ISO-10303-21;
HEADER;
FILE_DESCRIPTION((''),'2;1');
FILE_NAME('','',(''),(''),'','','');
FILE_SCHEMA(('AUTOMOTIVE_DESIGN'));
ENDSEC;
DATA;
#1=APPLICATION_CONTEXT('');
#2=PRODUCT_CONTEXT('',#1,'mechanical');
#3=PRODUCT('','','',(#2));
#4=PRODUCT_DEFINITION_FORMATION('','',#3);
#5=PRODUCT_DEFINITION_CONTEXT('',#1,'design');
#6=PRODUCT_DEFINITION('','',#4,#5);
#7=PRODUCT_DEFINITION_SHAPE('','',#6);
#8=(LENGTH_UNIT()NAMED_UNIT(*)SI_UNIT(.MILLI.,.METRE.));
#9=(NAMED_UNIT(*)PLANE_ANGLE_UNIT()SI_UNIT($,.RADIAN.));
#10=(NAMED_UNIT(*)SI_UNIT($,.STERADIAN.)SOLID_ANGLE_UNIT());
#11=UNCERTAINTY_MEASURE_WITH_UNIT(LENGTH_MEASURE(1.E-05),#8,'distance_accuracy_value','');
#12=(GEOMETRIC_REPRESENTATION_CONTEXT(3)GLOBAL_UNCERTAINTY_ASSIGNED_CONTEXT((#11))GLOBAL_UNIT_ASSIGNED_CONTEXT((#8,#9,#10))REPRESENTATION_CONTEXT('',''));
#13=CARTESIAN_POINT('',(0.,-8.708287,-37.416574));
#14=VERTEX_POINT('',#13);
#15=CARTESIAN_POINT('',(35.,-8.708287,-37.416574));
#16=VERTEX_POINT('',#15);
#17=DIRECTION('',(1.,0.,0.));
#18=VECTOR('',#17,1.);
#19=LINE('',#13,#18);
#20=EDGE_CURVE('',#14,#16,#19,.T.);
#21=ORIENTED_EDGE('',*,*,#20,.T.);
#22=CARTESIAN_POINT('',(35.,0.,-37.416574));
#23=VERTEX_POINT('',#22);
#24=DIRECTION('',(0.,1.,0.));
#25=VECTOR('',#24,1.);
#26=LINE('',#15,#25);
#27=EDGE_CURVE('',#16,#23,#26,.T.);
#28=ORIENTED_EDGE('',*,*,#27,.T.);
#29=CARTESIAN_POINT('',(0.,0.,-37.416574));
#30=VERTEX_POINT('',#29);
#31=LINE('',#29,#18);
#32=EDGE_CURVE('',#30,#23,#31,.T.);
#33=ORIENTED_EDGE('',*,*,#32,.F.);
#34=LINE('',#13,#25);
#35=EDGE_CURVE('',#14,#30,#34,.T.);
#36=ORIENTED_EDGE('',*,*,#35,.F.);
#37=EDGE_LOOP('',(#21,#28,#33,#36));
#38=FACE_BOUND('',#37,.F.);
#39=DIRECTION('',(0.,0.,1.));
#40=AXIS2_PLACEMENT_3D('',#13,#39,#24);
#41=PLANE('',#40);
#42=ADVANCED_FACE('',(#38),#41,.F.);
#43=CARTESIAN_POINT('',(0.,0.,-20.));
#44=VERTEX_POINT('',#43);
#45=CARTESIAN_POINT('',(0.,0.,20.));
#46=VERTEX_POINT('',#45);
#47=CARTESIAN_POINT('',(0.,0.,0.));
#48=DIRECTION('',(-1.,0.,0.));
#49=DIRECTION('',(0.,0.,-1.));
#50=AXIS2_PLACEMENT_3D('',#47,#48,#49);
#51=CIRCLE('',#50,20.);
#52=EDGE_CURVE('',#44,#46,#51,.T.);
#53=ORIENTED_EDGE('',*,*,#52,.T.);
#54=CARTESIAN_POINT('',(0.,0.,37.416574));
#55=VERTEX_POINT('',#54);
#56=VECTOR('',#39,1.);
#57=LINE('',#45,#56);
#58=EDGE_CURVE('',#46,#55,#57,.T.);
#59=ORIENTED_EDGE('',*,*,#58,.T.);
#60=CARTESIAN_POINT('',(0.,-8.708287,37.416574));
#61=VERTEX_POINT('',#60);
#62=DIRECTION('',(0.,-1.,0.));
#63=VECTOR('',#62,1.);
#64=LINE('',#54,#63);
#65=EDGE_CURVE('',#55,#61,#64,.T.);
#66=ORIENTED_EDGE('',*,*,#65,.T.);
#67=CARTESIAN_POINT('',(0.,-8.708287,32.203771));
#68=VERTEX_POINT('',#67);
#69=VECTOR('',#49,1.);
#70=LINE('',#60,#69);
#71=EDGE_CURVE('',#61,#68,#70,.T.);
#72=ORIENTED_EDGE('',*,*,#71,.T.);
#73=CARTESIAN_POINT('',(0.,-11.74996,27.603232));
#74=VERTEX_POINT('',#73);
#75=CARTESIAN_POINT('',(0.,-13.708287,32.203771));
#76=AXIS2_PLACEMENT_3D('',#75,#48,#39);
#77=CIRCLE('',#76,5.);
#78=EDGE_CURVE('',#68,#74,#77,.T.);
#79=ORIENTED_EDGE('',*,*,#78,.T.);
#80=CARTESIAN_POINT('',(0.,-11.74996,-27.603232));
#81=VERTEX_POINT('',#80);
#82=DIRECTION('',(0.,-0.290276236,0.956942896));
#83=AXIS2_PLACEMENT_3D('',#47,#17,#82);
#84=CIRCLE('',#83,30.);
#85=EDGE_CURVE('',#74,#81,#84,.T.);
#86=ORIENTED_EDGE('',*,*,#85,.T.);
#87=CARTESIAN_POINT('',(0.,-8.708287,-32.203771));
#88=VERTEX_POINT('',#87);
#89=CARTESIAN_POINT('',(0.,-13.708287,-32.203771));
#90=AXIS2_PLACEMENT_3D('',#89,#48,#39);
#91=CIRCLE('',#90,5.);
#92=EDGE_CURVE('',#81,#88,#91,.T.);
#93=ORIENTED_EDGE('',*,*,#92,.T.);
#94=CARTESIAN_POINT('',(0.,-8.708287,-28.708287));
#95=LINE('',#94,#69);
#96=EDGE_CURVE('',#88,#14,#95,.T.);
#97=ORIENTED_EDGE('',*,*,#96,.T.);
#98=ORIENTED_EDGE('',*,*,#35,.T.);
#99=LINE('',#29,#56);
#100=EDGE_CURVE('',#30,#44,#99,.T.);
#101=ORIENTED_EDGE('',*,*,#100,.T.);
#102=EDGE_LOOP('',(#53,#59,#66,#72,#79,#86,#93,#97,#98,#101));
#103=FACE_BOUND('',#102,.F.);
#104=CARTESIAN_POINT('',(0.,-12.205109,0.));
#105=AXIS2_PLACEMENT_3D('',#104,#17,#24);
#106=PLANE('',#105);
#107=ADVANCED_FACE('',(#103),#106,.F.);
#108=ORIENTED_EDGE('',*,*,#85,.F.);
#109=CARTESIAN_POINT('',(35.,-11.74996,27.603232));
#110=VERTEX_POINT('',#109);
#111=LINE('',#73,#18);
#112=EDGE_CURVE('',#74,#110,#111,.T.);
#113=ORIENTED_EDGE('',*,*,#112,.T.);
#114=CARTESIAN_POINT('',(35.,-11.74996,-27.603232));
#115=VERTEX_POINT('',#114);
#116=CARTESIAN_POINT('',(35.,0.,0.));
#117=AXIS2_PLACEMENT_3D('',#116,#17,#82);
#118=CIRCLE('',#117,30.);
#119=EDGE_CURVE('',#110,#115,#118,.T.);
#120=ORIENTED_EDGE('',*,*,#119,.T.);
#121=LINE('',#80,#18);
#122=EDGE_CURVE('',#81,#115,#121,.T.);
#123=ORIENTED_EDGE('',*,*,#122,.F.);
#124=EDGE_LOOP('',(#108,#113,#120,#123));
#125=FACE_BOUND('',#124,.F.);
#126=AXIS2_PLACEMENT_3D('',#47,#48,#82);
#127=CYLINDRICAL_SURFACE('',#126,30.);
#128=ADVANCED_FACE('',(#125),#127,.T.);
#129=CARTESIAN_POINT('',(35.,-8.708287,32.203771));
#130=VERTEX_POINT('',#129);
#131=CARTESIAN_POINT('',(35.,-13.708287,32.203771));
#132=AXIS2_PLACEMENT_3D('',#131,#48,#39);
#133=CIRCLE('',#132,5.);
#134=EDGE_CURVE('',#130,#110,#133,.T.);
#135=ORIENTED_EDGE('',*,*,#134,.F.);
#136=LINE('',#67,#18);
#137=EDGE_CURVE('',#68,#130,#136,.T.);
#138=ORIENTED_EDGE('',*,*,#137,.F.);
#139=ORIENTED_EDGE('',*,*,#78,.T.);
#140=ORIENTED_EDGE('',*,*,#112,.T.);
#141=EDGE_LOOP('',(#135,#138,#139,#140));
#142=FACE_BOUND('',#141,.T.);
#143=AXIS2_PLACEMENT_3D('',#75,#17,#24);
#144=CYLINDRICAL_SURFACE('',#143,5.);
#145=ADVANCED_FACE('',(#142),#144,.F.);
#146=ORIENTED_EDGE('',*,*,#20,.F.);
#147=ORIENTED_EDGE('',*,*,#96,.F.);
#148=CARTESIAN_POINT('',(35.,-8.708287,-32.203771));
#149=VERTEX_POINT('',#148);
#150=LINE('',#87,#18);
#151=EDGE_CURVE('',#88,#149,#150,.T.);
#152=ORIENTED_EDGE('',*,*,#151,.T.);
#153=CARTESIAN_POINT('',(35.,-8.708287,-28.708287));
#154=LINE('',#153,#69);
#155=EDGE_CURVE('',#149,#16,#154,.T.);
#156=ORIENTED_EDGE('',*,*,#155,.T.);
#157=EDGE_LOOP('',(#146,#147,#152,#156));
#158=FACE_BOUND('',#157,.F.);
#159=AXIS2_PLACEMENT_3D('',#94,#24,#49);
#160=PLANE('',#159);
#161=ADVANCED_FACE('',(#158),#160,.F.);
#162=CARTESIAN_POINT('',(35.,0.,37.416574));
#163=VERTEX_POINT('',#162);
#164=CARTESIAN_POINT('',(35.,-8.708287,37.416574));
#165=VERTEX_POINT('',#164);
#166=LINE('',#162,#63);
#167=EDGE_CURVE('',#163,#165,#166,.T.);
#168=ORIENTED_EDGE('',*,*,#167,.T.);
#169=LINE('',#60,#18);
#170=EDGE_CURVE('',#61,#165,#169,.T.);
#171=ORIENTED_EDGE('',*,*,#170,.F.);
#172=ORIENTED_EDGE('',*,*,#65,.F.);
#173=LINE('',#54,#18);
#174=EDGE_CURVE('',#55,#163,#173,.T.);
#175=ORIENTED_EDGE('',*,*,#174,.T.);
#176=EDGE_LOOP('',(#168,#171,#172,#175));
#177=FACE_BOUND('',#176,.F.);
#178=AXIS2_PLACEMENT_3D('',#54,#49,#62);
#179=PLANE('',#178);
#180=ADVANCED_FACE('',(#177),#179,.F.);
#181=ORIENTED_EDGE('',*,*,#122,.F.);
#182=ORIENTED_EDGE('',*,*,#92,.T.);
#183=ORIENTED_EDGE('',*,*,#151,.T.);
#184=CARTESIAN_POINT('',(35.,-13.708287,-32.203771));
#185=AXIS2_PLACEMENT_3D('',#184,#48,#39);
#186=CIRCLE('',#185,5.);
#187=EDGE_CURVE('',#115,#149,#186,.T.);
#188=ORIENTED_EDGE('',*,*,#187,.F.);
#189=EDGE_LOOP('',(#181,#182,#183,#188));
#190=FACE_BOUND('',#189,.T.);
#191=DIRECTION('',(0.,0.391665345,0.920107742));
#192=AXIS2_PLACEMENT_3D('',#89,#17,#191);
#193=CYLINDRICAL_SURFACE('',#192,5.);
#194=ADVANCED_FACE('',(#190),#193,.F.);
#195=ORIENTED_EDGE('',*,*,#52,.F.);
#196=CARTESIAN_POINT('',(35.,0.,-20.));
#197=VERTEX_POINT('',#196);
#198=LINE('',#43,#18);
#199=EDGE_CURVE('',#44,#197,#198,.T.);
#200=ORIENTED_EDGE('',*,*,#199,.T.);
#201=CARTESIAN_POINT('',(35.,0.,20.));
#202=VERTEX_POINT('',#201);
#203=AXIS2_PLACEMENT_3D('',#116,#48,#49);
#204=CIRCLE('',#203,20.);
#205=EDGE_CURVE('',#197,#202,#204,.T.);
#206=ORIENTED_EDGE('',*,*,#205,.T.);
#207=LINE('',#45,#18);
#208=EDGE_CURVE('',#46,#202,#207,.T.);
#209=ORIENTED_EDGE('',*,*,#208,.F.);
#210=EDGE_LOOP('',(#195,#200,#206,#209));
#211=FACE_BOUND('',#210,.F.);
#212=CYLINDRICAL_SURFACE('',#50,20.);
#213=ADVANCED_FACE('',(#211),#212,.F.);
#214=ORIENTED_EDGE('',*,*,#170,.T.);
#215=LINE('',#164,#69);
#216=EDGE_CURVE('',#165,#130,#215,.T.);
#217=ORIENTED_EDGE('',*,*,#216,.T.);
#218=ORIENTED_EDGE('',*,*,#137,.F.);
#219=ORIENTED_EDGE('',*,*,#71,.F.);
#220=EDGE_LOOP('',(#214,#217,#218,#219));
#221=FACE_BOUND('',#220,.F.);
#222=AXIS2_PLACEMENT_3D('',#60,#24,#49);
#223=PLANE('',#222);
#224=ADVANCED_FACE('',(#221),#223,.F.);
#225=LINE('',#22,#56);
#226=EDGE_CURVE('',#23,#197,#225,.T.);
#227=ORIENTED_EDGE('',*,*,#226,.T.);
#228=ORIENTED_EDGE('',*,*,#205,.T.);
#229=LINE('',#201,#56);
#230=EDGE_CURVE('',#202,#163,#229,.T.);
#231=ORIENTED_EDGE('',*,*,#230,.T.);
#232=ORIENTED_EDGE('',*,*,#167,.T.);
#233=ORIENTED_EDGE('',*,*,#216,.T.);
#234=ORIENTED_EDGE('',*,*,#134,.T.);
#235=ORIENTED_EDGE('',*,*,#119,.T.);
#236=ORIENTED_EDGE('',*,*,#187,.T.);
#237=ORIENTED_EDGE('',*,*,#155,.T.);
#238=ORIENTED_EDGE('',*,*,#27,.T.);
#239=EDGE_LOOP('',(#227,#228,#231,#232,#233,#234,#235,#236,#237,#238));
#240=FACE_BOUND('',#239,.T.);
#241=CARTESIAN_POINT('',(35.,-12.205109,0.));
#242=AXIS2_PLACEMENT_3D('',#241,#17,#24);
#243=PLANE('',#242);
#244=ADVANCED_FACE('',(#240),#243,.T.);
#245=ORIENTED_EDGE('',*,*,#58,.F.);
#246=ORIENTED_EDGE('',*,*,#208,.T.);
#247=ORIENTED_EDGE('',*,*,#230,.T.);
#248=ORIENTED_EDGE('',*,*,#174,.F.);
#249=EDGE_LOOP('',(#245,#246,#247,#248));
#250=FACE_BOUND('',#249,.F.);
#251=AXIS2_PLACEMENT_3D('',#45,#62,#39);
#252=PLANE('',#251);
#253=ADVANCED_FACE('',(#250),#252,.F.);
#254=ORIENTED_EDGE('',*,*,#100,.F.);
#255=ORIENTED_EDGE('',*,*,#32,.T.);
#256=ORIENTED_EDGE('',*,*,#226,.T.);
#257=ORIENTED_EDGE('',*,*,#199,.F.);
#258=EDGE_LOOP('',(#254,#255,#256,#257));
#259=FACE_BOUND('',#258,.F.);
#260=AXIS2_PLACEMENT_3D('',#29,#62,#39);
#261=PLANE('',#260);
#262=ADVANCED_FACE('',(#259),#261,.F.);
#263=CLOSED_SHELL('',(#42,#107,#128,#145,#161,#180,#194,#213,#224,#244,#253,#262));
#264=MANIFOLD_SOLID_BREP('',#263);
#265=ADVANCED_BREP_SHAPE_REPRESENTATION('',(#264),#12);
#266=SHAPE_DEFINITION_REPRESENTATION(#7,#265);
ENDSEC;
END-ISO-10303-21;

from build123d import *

# Parameters (mm, degrees)
F1_DEPTH = 35
F2_R     = 5


with BuildPart() as f1:
    # F0 (on Right) → F1 (new body)
    with BuildSketch(Plane.YZ):
        with BuildLine():
            ThreePointArc((0, -20), (-20, 0), (0, 20))
            Line((0, 20), (0, 37.416574))
            Line((0, 37.416574), (-8.708287, 37.416574))
            Line((-8.708287, 37.416574), (-8.708287, 28.708287))
            ThreePointArc((-8.708287, 28.708287), (-30, 0), (-8.708287, -28.708287))
            Line((-8.708287, -28.708287), (-8.708287, -37.416574))
            Line((-8.708287, -37.416574), (0, -37.416574))
            Line((0, -37.416574), (0, -20))
        make_face()
    extrude(amount=F1_DEPTH)

    # F2
    f2_edges = [f1.edges().sort_by_distance(p)[0] for p in [
        (17.5, -8.708287, 28.708287),
        (17.5, -8.708287, -28.708287),
    ]]
    fillet(f2_edges, radius=F2_R)


solid = f1.part
